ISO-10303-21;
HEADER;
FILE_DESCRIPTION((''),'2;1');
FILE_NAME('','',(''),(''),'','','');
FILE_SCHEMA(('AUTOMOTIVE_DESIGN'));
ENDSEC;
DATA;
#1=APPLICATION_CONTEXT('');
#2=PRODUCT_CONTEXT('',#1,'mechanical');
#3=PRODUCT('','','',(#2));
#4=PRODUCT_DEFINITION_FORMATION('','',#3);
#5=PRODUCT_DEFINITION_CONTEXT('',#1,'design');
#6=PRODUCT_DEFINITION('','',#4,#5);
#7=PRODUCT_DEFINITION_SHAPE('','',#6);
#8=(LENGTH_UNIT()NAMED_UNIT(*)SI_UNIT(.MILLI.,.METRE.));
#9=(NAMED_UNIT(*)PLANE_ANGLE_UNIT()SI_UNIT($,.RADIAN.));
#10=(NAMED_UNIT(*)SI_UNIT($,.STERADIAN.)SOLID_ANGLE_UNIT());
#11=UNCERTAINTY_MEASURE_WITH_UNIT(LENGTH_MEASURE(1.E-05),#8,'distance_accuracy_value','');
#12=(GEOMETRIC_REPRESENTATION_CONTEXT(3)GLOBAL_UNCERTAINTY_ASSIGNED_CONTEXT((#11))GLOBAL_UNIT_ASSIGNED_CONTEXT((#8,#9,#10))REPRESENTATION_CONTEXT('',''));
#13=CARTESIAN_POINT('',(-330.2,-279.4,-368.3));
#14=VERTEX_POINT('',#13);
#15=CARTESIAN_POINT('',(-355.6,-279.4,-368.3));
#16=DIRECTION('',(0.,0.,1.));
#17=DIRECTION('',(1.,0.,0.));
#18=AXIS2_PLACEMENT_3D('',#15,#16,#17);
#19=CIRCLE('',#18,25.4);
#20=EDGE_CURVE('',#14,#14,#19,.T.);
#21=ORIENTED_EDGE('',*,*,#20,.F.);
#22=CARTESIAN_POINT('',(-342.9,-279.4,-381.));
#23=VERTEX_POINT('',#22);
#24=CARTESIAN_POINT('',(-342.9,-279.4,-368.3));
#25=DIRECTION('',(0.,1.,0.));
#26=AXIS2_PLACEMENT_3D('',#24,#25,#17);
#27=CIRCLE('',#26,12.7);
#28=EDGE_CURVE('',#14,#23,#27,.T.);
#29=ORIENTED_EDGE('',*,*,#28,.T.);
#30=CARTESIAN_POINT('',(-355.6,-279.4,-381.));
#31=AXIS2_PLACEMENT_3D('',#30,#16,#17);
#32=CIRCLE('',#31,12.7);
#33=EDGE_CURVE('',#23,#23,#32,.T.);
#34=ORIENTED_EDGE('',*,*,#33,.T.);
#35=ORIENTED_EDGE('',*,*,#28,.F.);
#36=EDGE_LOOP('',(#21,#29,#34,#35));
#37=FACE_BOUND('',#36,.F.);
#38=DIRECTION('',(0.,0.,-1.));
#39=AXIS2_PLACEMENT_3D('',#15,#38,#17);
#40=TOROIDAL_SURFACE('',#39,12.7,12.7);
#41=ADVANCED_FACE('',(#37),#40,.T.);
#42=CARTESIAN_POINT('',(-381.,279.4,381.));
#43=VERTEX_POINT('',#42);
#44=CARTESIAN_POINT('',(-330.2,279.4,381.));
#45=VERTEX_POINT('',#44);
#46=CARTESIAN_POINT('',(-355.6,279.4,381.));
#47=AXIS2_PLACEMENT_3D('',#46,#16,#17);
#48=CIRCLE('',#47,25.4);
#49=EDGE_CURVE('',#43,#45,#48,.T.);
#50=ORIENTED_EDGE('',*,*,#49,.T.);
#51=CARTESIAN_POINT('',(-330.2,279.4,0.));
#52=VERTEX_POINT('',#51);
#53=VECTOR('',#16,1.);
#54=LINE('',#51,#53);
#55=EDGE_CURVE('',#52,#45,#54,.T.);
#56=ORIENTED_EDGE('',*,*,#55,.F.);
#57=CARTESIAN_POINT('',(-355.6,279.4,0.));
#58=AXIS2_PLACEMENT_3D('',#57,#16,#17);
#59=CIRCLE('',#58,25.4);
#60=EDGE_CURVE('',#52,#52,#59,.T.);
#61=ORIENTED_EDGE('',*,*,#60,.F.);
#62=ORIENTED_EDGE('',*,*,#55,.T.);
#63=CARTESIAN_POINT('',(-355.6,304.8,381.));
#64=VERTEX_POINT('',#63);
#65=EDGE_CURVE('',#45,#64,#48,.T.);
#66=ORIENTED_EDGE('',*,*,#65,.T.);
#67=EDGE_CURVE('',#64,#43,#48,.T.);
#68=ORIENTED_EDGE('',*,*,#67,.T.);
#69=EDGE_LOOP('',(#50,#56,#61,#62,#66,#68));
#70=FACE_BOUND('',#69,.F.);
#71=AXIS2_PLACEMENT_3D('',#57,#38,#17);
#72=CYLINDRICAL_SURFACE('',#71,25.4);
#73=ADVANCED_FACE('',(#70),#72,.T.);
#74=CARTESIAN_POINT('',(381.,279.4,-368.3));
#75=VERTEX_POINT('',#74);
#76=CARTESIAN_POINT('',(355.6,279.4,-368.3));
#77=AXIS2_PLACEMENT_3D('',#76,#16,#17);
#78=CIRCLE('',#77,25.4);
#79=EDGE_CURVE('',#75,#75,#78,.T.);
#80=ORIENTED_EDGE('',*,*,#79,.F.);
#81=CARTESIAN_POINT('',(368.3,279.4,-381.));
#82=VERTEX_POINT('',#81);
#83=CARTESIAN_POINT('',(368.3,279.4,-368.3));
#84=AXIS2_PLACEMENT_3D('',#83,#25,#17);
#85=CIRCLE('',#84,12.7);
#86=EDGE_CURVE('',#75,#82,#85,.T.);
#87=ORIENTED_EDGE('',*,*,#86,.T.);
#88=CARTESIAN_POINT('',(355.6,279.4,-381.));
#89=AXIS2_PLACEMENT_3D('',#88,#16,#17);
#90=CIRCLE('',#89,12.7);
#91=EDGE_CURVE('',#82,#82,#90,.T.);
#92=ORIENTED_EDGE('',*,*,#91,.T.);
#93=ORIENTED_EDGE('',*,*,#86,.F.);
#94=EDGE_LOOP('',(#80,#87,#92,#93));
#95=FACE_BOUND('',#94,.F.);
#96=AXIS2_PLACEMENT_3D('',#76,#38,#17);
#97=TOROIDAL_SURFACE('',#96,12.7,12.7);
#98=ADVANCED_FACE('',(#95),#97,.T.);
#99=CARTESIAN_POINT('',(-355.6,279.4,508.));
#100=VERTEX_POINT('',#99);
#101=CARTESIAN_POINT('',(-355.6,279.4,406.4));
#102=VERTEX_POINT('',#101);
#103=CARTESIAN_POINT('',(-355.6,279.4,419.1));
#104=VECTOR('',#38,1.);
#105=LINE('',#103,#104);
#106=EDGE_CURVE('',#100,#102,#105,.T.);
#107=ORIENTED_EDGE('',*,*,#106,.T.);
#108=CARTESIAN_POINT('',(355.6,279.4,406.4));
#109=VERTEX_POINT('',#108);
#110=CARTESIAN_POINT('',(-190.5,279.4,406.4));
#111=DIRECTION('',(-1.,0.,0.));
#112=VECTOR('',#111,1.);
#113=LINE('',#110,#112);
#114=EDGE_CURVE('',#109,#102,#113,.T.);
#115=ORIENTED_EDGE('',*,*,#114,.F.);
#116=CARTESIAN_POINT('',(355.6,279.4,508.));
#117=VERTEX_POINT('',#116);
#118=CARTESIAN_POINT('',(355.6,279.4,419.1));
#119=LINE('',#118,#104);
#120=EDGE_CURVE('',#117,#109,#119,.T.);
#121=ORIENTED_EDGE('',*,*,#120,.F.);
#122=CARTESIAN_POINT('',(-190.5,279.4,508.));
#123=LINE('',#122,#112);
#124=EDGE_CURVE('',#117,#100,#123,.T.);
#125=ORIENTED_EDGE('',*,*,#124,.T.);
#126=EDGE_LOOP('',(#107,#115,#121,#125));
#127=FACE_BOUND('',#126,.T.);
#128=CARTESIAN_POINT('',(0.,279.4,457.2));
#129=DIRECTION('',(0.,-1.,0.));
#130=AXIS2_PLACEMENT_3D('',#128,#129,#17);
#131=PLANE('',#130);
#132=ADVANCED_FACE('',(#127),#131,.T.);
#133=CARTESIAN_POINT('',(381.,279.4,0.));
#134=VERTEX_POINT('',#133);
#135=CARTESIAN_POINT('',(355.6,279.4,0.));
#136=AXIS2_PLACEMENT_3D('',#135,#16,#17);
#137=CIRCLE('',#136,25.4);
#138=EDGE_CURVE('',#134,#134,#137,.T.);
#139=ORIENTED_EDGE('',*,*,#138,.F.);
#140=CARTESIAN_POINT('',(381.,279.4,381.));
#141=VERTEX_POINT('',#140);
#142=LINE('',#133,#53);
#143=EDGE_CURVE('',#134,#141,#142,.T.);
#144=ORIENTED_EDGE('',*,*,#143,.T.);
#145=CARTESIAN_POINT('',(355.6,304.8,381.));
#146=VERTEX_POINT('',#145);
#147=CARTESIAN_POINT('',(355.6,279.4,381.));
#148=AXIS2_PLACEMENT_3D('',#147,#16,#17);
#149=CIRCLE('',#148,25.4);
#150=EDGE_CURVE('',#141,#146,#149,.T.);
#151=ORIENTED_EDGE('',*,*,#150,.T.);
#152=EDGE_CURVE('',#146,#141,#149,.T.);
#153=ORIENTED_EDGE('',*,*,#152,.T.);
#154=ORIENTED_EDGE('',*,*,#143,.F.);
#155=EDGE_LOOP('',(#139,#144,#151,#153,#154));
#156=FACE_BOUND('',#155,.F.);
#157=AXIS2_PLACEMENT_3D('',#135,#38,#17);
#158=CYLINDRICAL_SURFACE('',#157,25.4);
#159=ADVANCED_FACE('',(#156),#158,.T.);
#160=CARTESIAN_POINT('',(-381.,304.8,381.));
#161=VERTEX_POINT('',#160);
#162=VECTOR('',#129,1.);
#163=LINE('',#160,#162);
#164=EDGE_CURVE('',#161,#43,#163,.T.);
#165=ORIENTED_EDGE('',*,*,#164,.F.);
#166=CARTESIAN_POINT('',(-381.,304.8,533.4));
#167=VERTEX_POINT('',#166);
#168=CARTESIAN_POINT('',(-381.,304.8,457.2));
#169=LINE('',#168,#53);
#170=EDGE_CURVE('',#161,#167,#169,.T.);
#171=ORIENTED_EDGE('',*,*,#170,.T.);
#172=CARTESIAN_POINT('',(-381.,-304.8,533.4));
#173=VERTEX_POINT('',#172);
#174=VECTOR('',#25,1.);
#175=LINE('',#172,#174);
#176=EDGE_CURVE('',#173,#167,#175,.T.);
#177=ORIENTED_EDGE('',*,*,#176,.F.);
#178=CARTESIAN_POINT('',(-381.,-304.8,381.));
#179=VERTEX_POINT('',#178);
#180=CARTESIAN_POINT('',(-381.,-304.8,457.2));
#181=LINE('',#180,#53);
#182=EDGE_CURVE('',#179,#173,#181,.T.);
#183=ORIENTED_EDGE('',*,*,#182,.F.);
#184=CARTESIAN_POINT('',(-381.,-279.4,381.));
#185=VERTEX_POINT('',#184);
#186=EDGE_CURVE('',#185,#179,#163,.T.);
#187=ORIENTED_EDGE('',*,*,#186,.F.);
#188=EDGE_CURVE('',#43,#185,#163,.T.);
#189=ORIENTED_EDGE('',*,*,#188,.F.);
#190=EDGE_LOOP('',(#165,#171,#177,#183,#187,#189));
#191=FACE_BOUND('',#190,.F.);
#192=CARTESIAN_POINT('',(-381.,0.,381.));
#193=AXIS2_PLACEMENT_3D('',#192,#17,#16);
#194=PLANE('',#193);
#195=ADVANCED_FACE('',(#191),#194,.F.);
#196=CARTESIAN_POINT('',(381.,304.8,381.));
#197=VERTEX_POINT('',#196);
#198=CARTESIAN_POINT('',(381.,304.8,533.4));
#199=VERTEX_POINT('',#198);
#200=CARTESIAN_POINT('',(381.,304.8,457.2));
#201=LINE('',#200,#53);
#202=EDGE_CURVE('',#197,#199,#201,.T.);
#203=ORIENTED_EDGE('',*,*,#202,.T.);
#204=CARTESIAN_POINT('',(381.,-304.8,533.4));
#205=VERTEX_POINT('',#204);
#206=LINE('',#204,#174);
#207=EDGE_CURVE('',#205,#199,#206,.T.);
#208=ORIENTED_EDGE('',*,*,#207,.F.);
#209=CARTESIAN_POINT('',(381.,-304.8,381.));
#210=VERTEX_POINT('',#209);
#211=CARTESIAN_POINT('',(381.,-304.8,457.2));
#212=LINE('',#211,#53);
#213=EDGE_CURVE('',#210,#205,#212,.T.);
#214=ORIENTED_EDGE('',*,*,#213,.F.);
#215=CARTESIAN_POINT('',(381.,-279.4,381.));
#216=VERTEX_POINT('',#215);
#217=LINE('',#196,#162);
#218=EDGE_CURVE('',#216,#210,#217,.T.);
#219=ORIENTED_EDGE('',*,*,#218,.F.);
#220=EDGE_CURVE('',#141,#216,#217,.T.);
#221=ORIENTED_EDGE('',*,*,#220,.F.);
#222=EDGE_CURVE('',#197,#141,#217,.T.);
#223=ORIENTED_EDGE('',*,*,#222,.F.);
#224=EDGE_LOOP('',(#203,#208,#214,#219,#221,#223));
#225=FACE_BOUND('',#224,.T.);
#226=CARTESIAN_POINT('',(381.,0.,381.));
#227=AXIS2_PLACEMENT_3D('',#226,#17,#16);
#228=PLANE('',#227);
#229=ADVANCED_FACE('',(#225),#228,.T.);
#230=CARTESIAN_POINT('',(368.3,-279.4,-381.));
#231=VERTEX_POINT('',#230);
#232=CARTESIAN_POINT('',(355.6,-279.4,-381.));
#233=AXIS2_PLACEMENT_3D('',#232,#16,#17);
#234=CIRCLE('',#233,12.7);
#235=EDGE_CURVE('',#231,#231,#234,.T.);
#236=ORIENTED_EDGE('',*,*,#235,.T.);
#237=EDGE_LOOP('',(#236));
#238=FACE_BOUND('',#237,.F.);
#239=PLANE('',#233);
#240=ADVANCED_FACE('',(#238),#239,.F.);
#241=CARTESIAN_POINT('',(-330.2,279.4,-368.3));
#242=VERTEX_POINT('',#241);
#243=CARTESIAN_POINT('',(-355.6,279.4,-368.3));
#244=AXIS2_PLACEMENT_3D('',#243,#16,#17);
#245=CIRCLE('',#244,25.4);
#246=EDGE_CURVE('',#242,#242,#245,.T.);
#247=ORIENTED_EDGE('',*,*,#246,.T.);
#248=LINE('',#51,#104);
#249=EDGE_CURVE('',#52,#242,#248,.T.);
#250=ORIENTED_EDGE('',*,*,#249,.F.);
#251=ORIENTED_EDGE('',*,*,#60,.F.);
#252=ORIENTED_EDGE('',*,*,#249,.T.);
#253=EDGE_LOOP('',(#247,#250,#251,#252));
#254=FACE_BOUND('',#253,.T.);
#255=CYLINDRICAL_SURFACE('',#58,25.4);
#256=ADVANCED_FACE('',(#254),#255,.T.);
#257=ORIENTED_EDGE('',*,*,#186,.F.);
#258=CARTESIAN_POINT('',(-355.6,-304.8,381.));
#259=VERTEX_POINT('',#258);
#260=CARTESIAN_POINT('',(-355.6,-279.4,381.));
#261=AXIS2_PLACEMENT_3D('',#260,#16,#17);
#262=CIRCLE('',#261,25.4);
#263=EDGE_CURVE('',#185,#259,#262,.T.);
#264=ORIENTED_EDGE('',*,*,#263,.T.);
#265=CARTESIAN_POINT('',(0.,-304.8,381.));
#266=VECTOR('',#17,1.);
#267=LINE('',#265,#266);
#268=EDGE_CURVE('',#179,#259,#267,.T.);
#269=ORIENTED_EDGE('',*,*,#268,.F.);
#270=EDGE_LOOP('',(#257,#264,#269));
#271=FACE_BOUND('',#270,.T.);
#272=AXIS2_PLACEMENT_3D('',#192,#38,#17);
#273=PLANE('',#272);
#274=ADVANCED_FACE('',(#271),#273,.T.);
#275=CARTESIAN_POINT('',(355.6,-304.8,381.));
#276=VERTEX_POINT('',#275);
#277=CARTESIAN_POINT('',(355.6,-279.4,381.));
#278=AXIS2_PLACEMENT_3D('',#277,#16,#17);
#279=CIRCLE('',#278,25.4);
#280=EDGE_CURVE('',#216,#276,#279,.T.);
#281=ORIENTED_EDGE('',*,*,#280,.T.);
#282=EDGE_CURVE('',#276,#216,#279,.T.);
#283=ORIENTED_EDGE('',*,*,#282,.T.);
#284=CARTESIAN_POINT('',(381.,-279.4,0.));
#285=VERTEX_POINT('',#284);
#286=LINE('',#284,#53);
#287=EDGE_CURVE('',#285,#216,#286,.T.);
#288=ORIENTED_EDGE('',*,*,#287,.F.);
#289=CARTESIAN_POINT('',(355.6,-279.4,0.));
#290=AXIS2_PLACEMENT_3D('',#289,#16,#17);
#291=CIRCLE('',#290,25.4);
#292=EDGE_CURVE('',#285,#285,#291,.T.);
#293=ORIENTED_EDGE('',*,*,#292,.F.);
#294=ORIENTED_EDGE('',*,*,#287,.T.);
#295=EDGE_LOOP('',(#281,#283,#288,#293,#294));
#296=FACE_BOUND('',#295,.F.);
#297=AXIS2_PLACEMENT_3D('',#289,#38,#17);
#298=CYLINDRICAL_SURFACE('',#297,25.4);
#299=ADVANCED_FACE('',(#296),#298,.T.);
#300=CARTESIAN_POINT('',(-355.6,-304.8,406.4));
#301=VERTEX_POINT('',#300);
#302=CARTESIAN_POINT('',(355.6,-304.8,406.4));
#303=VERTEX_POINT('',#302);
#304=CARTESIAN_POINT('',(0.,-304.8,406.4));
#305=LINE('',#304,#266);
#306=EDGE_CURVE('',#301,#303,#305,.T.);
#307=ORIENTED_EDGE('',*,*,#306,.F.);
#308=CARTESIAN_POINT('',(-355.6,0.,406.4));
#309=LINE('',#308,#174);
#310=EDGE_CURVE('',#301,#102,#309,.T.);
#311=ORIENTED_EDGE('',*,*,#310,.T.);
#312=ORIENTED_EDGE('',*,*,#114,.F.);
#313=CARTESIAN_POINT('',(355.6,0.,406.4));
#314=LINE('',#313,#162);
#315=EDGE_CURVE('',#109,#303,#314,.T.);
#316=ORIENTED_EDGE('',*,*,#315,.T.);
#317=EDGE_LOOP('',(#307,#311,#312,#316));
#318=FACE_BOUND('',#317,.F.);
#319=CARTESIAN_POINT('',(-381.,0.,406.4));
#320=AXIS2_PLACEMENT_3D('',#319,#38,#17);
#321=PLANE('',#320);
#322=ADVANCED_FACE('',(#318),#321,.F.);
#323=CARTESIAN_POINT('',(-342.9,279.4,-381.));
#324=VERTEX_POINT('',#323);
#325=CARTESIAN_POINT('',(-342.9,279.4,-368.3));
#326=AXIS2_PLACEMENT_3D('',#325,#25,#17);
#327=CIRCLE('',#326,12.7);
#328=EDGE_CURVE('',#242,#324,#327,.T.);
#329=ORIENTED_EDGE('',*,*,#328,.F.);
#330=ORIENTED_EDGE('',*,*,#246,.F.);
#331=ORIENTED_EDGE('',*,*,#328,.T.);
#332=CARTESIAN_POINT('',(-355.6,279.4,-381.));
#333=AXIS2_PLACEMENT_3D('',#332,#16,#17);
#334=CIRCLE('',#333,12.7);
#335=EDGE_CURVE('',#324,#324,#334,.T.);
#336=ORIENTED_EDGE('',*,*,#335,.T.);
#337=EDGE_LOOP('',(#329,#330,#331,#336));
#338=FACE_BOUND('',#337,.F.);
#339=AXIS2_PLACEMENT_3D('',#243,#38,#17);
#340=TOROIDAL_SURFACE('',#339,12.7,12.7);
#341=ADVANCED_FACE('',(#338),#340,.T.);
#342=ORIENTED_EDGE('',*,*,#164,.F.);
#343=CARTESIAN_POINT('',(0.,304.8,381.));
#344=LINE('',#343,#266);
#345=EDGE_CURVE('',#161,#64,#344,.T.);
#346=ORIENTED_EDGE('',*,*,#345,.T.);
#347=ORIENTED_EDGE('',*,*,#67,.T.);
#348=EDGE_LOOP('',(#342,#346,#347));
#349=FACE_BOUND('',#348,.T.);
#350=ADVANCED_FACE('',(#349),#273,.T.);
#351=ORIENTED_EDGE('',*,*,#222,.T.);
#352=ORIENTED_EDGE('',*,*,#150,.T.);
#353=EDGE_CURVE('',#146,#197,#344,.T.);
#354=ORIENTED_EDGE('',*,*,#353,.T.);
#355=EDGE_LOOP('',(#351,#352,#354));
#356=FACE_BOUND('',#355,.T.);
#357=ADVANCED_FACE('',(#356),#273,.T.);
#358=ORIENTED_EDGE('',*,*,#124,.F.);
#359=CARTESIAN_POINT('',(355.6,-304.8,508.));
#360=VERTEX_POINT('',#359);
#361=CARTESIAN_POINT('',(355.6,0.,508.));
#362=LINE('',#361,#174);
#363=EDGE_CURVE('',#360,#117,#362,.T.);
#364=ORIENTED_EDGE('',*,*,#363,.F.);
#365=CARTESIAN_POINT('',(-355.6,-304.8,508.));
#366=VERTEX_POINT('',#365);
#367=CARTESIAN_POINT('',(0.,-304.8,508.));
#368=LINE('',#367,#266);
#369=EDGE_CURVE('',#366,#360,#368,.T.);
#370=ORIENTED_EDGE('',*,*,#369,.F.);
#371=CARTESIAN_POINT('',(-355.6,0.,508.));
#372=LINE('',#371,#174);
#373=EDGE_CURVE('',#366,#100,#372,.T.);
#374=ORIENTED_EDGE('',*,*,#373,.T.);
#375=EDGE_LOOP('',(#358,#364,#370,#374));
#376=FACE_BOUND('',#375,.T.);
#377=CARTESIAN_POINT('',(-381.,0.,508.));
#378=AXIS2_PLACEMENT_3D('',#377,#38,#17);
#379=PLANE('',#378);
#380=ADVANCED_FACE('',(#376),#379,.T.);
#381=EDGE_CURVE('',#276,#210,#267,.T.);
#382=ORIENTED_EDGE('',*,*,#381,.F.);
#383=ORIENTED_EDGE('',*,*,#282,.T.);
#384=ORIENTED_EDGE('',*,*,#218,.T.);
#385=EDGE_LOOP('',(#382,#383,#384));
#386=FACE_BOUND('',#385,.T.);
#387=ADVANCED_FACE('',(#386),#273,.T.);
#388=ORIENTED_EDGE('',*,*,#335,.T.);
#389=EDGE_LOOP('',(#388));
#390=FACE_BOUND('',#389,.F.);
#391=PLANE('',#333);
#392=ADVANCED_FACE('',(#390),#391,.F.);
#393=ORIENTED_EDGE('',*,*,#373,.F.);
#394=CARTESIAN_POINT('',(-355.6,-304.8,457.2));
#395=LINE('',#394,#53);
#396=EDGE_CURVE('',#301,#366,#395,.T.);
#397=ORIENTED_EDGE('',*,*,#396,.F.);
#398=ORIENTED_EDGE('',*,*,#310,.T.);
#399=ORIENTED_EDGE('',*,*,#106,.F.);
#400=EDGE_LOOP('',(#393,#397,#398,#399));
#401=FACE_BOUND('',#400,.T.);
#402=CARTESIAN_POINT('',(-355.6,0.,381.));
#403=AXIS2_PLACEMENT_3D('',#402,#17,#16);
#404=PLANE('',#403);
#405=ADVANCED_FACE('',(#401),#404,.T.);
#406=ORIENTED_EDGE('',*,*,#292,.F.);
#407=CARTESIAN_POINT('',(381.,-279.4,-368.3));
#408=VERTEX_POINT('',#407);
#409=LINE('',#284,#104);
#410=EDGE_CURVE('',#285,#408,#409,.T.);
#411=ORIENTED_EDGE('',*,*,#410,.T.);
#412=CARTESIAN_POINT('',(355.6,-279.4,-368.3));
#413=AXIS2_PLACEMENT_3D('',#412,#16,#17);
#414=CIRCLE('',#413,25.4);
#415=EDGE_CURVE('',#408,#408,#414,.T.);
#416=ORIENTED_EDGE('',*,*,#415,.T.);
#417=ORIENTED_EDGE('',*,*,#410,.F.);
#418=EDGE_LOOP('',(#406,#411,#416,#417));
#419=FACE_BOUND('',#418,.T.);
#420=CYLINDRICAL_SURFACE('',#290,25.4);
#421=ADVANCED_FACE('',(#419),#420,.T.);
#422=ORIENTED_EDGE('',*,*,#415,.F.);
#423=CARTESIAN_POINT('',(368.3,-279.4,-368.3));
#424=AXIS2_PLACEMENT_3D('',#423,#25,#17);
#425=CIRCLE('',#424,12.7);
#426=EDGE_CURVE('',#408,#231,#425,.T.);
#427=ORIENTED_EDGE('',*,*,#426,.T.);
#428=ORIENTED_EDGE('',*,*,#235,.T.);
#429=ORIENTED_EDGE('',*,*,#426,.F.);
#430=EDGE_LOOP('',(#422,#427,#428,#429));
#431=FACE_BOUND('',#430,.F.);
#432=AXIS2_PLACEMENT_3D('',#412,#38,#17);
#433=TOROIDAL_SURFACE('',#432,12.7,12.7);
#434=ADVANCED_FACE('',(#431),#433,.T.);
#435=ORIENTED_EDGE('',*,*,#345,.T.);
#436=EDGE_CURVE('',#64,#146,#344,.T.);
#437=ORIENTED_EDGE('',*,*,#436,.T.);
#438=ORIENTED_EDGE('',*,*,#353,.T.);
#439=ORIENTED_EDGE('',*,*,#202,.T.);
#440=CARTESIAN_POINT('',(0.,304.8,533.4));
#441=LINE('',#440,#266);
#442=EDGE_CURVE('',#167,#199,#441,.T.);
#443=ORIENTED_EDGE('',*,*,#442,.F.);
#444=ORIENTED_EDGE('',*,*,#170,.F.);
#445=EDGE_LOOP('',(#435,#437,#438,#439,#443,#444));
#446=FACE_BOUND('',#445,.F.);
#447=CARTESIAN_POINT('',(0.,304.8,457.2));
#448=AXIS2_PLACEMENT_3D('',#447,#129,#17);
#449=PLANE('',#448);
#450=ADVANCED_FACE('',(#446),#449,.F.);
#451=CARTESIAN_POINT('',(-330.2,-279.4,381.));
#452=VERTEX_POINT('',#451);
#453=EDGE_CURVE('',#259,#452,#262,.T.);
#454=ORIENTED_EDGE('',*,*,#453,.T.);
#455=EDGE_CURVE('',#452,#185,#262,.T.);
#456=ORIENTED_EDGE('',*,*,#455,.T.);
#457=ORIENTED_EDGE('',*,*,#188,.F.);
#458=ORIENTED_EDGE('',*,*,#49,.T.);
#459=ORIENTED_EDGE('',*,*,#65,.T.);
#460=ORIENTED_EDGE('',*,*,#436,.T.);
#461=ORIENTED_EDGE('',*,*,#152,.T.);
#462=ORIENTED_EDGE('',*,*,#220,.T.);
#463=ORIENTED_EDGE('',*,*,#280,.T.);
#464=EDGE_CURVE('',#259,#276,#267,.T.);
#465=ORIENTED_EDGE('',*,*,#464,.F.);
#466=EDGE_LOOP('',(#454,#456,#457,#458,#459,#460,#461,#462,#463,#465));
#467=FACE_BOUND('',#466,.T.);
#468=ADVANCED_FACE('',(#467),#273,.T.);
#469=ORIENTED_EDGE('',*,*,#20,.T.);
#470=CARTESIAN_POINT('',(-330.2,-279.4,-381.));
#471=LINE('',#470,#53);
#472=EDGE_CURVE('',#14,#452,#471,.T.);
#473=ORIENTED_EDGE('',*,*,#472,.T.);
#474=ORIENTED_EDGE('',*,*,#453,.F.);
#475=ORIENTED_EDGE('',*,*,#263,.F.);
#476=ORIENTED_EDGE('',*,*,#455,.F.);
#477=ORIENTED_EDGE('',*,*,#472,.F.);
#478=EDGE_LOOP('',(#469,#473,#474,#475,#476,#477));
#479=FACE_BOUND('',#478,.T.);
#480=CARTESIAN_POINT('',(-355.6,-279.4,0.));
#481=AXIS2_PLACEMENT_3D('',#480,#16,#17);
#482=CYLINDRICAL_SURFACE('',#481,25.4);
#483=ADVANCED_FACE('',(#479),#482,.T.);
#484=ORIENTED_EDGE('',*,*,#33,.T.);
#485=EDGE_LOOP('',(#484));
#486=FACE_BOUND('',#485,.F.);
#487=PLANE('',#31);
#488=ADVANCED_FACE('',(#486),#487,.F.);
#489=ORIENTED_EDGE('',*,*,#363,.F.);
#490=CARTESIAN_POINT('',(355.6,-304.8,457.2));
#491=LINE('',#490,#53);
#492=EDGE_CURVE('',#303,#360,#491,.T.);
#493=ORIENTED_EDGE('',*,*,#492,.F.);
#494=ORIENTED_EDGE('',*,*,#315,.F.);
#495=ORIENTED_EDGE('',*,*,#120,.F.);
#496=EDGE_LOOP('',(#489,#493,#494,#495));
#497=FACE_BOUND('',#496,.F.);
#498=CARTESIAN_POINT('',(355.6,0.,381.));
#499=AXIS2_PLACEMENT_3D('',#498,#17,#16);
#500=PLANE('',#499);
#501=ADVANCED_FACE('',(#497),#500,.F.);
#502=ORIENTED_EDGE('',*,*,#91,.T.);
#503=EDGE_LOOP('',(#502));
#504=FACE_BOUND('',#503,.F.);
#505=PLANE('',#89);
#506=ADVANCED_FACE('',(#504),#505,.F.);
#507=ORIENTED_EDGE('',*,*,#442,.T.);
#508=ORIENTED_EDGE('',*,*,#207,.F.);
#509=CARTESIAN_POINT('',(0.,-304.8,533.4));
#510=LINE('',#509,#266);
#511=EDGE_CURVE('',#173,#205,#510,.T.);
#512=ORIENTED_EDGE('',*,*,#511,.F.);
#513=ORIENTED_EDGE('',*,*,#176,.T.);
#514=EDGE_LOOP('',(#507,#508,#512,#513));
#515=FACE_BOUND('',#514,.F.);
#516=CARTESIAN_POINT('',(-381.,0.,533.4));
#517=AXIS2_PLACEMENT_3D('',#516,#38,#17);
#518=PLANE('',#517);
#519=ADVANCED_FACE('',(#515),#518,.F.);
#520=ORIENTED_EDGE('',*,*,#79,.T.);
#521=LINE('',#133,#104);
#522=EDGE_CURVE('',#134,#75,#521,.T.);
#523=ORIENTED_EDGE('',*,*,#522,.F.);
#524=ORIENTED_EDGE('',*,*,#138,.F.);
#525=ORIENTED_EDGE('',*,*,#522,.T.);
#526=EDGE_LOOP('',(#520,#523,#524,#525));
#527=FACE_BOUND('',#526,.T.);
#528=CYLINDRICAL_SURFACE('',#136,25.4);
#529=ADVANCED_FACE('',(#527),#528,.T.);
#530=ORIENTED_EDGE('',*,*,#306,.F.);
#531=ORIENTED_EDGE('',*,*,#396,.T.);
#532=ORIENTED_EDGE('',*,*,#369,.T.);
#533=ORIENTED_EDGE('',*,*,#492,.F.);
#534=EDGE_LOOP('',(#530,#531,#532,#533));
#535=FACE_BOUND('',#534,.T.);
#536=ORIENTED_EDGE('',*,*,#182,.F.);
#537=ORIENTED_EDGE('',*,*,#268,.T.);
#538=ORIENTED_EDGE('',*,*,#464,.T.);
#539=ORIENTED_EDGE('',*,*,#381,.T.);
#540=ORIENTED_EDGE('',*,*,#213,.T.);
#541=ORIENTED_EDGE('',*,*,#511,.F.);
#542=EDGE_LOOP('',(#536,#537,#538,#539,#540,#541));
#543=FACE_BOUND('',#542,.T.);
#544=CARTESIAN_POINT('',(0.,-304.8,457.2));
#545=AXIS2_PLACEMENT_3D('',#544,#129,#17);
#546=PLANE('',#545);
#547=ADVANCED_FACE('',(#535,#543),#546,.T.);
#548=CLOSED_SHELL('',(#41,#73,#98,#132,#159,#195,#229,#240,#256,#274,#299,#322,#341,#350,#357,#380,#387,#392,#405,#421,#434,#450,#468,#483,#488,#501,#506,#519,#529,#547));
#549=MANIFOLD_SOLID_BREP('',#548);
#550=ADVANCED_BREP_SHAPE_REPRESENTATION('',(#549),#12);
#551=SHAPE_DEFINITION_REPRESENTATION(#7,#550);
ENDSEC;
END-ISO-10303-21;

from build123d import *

# Parameters (mm, degrees)
F0_W     = 762
F0_H     = 152.4
F1_DEPTH = 304.8
F2_T     = -25.4
F3_R     = 25.4
F4_DEPTH = 381
F5_R     = 12.7


with BuildPart() as f1:
    # F0 (on Front) → F1 (new body, symmetric)
    with BuildSketch(Plane.XZ):
        with Locations((0, 457.2)):
            Rectangle(F0_W, F0_H)
    extrude(amount=F1_DEPTH, both=True)

    # F2
    f2_openings = [f1.faces().sort_by_distance(p)[0] for p in [
        (0, -304.8, 457.2),
    ]]
    offset(amount=F2_T, openings=f2_openings)

    # F3 (on Top) → F4 (join, symmetric)
    with BuildSketch(Plane.XY):
        with Locations((-355.6, 279.4)):
            Circle(F3_R)
        with Locations((355.6, 279.4)):
            Circle(F3_R)
        with Locations((355.6, -279.4)):
            Circle(F3_R)
        with Locations((-355.6, -279.4)):
            Circle(F3_R)
    extrude(amount=F4_DEPTH, both=True)

    # F5
    f5_edges = [f1.edges().sort_by_distance(p)[0] for p in [
        (-381, 279.4, -381),
        (-381, -279.4, -381),
        (330.2, -279.4, -381),
        (330.2, 279.4, -381),
    ]]
    fillet(f5_edges, radius=F5_R)


solid = f1.part
